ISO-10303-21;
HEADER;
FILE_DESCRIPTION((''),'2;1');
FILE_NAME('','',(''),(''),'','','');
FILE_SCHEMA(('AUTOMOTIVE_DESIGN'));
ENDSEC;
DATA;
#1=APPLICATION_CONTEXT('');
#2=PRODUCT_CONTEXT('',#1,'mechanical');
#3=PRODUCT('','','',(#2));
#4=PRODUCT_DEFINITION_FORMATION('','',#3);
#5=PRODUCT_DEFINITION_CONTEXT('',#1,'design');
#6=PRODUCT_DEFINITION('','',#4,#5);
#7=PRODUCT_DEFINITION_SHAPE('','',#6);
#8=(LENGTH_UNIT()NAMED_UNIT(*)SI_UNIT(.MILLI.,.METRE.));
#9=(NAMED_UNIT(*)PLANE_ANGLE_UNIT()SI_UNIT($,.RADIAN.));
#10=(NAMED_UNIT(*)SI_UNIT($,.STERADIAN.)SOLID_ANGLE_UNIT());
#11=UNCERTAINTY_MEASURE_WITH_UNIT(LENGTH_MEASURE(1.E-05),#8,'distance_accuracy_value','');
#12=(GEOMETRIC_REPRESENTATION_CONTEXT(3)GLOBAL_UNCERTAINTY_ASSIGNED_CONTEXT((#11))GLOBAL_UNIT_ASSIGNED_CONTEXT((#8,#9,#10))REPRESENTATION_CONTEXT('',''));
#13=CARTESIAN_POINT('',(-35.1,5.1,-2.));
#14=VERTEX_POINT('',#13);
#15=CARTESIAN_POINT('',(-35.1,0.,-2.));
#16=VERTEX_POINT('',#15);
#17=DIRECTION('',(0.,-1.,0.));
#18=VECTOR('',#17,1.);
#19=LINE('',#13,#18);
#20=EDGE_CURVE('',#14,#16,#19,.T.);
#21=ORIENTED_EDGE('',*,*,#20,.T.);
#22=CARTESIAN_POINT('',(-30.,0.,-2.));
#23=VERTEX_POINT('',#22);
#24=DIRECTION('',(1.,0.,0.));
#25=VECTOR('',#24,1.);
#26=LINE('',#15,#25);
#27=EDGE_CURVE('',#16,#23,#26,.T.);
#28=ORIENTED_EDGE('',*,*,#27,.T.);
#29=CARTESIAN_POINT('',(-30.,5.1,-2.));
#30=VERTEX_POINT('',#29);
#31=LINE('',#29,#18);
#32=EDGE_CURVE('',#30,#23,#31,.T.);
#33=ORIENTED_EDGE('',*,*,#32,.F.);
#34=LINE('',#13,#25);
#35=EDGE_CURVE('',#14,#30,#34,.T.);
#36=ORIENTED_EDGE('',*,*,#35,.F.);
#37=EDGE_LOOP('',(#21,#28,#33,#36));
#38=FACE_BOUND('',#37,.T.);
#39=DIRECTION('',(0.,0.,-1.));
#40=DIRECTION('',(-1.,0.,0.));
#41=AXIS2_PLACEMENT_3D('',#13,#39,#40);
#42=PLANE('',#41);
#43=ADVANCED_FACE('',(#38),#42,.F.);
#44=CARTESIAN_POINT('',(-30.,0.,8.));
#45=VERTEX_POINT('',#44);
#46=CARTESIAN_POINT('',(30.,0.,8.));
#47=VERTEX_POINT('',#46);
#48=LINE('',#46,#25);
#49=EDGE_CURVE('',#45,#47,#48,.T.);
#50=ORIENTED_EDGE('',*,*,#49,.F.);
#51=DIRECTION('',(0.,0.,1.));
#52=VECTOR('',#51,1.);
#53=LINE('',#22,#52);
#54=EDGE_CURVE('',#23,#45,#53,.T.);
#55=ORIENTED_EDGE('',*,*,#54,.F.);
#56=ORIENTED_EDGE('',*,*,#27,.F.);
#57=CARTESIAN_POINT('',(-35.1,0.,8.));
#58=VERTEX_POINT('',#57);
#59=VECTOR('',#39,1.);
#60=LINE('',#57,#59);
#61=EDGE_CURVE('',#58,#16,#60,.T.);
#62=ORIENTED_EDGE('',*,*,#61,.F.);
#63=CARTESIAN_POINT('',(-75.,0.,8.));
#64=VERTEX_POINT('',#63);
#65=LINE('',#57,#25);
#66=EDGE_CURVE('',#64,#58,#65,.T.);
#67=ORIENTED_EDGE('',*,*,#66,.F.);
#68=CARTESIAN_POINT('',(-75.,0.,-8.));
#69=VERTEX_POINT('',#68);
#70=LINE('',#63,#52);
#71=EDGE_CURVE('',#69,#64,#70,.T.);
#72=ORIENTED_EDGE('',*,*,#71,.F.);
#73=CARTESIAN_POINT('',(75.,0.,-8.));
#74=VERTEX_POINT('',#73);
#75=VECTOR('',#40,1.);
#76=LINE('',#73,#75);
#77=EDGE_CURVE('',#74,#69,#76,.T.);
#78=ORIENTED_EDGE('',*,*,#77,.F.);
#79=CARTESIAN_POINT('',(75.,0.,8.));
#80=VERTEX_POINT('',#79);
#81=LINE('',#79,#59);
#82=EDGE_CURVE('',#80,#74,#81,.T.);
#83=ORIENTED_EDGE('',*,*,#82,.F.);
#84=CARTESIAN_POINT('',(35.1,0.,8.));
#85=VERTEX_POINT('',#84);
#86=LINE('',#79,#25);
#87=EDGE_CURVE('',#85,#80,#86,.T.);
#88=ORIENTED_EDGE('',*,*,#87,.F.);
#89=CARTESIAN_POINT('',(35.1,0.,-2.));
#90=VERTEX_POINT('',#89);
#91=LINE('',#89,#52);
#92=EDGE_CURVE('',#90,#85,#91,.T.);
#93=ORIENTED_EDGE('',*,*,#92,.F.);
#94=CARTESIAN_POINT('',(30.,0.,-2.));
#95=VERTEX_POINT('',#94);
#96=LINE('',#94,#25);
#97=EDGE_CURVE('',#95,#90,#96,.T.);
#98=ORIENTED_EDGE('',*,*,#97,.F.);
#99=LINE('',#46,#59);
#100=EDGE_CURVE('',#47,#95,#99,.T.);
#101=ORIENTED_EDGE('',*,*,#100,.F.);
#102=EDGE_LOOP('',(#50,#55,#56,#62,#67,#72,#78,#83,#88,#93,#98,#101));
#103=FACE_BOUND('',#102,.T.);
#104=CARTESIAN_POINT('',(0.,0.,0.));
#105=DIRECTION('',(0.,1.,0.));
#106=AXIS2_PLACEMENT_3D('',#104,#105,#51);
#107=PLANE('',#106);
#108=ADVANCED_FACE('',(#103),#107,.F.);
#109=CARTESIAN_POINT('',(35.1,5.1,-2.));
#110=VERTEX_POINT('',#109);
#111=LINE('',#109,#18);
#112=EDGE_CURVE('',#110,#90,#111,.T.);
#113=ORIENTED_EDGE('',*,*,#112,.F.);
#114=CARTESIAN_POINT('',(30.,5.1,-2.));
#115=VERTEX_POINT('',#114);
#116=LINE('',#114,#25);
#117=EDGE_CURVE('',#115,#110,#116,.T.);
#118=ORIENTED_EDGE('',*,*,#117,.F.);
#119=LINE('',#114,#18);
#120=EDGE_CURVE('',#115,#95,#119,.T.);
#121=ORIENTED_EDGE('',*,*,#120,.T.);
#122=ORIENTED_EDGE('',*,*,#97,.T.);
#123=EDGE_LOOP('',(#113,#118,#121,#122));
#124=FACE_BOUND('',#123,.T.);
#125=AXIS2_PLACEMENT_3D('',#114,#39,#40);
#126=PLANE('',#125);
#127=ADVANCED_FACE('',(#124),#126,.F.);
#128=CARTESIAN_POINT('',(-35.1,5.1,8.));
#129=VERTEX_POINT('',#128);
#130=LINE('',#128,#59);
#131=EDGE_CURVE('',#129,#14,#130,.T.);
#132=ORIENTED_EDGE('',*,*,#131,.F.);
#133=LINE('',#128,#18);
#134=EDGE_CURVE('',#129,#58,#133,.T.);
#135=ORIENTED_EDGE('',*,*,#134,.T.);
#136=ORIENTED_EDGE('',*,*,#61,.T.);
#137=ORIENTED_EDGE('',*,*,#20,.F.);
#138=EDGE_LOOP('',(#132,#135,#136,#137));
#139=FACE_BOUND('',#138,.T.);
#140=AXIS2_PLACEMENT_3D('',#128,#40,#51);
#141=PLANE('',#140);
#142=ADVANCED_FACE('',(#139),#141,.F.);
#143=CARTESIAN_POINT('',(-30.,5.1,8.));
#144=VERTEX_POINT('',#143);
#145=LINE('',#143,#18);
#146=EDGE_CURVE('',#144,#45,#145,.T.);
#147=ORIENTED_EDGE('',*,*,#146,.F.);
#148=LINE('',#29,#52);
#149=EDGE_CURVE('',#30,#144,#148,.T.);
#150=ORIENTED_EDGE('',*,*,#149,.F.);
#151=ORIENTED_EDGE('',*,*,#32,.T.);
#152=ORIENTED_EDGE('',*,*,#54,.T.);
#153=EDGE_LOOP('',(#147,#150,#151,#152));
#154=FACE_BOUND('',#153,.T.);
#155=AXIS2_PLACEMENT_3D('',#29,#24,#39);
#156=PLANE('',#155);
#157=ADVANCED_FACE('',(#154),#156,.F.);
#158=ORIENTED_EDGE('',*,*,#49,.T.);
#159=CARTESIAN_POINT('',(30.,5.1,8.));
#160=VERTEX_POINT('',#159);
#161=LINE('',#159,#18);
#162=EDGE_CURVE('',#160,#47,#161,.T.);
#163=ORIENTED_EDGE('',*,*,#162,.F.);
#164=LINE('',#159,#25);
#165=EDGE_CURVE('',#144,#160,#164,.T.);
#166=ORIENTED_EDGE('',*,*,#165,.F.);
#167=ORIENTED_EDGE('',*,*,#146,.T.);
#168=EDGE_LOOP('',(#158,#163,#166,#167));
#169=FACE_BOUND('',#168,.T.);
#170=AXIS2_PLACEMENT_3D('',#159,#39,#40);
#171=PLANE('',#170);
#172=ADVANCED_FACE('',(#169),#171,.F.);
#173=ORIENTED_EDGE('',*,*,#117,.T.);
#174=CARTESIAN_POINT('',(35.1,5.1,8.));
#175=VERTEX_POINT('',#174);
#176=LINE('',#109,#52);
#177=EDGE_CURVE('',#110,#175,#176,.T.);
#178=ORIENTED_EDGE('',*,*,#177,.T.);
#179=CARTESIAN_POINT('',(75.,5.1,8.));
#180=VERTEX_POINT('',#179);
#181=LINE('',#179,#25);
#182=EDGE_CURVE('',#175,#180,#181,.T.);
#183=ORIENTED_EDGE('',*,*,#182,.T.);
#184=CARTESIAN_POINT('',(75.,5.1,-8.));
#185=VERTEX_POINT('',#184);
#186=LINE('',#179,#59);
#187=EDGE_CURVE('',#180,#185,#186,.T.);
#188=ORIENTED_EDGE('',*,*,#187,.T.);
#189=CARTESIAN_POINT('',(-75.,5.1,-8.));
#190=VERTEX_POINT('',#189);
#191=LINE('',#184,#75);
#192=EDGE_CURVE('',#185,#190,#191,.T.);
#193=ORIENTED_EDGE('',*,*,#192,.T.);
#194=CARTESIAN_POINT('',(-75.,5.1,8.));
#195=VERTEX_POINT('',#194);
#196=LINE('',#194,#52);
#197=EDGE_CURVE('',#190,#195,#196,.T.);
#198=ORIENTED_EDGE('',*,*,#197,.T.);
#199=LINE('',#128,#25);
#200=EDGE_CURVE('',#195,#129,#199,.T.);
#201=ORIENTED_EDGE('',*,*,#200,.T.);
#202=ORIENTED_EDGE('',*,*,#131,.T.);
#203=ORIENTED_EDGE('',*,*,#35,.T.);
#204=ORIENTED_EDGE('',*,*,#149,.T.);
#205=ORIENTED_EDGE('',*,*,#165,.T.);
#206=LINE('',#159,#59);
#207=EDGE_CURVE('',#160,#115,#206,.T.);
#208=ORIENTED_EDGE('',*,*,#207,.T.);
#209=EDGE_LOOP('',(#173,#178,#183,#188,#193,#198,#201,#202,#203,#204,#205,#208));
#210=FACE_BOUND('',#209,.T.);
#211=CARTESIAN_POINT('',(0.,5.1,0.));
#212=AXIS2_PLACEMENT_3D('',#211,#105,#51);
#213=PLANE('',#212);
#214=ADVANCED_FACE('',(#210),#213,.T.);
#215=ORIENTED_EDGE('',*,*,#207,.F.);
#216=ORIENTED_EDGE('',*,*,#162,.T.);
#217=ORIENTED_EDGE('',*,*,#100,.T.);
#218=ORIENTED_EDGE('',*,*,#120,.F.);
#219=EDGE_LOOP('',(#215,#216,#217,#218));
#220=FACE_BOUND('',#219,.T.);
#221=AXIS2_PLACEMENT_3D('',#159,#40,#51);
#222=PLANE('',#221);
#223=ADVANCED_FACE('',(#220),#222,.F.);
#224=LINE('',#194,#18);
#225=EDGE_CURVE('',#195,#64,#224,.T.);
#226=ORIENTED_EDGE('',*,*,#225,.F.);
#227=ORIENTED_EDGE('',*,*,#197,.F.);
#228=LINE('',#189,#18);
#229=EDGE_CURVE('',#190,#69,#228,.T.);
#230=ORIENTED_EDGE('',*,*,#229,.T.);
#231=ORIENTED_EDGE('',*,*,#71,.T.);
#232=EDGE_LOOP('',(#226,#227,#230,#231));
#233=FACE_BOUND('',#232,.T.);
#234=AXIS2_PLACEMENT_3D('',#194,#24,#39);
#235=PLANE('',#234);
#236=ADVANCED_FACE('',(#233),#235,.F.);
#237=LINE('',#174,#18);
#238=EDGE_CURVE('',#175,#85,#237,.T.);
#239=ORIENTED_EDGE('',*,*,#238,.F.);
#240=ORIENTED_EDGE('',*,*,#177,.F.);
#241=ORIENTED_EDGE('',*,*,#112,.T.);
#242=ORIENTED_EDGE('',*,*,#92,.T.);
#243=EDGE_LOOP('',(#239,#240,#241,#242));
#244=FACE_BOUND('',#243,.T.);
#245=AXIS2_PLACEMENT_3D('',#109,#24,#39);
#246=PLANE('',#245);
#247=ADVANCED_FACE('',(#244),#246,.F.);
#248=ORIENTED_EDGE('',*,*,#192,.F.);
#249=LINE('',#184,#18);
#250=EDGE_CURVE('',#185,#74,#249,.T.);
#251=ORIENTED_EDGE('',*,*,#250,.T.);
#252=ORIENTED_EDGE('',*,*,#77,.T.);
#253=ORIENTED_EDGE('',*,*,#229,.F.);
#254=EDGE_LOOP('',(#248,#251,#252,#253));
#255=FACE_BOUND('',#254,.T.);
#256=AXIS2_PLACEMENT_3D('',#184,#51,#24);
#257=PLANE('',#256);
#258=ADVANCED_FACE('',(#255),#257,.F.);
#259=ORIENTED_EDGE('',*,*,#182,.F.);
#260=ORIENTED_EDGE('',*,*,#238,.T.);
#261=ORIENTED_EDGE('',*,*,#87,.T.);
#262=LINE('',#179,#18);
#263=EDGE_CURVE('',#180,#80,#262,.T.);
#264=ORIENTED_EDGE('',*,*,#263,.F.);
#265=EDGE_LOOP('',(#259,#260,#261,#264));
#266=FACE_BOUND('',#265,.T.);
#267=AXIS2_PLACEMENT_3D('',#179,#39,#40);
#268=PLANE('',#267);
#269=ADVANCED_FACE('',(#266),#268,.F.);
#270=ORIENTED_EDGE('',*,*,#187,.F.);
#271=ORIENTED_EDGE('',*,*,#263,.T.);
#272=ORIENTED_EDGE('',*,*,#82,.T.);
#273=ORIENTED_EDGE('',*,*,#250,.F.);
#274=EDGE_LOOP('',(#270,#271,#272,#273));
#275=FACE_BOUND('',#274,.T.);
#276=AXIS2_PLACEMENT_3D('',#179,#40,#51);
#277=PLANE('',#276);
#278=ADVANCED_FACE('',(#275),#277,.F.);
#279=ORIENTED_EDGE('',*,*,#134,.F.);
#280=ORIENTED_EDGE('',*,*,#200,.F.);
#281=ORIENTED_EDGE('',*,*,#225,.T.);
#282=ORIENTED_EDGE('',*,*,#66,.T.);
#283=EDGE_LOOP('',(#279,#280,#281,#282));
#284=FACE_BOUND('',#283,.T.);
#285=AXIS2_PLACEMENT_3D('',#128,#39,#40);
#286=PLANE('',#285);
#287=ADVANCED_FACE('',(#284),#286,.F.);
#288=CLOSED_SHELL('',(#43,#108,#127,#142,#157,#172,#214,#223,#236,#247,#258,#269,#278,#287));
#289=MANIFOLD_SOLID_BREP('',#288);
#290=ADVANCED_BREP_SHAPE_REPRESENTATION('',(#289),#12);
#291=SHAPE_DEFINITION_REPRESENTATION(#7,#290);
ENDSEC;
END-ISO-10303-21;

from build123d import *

# Parameters (mm, degrees)
BOSS_EXTRUDE1_DEPTH = 5.1


with BuildPart() as part:
    # Sketch1 → Boss-Extrude1 (new body)
    with BuildSketch(Plane(origin=(0, 0, 0), x_dir=(1, 0, 0), z_dir=(0, 1, 0))):
        Polygon((-35.1, -8), (-35.1, 2), (-30, 2), (-30, -8), (30, -8), (30, 2), (35.1, 2), (35.1, -8), (75, -8), (75, 8), (-75, 8), (-75, -8), align=None)
    extrude(amount=BOSS_EXTRUDE1_DEPTH)


solid = part.part
